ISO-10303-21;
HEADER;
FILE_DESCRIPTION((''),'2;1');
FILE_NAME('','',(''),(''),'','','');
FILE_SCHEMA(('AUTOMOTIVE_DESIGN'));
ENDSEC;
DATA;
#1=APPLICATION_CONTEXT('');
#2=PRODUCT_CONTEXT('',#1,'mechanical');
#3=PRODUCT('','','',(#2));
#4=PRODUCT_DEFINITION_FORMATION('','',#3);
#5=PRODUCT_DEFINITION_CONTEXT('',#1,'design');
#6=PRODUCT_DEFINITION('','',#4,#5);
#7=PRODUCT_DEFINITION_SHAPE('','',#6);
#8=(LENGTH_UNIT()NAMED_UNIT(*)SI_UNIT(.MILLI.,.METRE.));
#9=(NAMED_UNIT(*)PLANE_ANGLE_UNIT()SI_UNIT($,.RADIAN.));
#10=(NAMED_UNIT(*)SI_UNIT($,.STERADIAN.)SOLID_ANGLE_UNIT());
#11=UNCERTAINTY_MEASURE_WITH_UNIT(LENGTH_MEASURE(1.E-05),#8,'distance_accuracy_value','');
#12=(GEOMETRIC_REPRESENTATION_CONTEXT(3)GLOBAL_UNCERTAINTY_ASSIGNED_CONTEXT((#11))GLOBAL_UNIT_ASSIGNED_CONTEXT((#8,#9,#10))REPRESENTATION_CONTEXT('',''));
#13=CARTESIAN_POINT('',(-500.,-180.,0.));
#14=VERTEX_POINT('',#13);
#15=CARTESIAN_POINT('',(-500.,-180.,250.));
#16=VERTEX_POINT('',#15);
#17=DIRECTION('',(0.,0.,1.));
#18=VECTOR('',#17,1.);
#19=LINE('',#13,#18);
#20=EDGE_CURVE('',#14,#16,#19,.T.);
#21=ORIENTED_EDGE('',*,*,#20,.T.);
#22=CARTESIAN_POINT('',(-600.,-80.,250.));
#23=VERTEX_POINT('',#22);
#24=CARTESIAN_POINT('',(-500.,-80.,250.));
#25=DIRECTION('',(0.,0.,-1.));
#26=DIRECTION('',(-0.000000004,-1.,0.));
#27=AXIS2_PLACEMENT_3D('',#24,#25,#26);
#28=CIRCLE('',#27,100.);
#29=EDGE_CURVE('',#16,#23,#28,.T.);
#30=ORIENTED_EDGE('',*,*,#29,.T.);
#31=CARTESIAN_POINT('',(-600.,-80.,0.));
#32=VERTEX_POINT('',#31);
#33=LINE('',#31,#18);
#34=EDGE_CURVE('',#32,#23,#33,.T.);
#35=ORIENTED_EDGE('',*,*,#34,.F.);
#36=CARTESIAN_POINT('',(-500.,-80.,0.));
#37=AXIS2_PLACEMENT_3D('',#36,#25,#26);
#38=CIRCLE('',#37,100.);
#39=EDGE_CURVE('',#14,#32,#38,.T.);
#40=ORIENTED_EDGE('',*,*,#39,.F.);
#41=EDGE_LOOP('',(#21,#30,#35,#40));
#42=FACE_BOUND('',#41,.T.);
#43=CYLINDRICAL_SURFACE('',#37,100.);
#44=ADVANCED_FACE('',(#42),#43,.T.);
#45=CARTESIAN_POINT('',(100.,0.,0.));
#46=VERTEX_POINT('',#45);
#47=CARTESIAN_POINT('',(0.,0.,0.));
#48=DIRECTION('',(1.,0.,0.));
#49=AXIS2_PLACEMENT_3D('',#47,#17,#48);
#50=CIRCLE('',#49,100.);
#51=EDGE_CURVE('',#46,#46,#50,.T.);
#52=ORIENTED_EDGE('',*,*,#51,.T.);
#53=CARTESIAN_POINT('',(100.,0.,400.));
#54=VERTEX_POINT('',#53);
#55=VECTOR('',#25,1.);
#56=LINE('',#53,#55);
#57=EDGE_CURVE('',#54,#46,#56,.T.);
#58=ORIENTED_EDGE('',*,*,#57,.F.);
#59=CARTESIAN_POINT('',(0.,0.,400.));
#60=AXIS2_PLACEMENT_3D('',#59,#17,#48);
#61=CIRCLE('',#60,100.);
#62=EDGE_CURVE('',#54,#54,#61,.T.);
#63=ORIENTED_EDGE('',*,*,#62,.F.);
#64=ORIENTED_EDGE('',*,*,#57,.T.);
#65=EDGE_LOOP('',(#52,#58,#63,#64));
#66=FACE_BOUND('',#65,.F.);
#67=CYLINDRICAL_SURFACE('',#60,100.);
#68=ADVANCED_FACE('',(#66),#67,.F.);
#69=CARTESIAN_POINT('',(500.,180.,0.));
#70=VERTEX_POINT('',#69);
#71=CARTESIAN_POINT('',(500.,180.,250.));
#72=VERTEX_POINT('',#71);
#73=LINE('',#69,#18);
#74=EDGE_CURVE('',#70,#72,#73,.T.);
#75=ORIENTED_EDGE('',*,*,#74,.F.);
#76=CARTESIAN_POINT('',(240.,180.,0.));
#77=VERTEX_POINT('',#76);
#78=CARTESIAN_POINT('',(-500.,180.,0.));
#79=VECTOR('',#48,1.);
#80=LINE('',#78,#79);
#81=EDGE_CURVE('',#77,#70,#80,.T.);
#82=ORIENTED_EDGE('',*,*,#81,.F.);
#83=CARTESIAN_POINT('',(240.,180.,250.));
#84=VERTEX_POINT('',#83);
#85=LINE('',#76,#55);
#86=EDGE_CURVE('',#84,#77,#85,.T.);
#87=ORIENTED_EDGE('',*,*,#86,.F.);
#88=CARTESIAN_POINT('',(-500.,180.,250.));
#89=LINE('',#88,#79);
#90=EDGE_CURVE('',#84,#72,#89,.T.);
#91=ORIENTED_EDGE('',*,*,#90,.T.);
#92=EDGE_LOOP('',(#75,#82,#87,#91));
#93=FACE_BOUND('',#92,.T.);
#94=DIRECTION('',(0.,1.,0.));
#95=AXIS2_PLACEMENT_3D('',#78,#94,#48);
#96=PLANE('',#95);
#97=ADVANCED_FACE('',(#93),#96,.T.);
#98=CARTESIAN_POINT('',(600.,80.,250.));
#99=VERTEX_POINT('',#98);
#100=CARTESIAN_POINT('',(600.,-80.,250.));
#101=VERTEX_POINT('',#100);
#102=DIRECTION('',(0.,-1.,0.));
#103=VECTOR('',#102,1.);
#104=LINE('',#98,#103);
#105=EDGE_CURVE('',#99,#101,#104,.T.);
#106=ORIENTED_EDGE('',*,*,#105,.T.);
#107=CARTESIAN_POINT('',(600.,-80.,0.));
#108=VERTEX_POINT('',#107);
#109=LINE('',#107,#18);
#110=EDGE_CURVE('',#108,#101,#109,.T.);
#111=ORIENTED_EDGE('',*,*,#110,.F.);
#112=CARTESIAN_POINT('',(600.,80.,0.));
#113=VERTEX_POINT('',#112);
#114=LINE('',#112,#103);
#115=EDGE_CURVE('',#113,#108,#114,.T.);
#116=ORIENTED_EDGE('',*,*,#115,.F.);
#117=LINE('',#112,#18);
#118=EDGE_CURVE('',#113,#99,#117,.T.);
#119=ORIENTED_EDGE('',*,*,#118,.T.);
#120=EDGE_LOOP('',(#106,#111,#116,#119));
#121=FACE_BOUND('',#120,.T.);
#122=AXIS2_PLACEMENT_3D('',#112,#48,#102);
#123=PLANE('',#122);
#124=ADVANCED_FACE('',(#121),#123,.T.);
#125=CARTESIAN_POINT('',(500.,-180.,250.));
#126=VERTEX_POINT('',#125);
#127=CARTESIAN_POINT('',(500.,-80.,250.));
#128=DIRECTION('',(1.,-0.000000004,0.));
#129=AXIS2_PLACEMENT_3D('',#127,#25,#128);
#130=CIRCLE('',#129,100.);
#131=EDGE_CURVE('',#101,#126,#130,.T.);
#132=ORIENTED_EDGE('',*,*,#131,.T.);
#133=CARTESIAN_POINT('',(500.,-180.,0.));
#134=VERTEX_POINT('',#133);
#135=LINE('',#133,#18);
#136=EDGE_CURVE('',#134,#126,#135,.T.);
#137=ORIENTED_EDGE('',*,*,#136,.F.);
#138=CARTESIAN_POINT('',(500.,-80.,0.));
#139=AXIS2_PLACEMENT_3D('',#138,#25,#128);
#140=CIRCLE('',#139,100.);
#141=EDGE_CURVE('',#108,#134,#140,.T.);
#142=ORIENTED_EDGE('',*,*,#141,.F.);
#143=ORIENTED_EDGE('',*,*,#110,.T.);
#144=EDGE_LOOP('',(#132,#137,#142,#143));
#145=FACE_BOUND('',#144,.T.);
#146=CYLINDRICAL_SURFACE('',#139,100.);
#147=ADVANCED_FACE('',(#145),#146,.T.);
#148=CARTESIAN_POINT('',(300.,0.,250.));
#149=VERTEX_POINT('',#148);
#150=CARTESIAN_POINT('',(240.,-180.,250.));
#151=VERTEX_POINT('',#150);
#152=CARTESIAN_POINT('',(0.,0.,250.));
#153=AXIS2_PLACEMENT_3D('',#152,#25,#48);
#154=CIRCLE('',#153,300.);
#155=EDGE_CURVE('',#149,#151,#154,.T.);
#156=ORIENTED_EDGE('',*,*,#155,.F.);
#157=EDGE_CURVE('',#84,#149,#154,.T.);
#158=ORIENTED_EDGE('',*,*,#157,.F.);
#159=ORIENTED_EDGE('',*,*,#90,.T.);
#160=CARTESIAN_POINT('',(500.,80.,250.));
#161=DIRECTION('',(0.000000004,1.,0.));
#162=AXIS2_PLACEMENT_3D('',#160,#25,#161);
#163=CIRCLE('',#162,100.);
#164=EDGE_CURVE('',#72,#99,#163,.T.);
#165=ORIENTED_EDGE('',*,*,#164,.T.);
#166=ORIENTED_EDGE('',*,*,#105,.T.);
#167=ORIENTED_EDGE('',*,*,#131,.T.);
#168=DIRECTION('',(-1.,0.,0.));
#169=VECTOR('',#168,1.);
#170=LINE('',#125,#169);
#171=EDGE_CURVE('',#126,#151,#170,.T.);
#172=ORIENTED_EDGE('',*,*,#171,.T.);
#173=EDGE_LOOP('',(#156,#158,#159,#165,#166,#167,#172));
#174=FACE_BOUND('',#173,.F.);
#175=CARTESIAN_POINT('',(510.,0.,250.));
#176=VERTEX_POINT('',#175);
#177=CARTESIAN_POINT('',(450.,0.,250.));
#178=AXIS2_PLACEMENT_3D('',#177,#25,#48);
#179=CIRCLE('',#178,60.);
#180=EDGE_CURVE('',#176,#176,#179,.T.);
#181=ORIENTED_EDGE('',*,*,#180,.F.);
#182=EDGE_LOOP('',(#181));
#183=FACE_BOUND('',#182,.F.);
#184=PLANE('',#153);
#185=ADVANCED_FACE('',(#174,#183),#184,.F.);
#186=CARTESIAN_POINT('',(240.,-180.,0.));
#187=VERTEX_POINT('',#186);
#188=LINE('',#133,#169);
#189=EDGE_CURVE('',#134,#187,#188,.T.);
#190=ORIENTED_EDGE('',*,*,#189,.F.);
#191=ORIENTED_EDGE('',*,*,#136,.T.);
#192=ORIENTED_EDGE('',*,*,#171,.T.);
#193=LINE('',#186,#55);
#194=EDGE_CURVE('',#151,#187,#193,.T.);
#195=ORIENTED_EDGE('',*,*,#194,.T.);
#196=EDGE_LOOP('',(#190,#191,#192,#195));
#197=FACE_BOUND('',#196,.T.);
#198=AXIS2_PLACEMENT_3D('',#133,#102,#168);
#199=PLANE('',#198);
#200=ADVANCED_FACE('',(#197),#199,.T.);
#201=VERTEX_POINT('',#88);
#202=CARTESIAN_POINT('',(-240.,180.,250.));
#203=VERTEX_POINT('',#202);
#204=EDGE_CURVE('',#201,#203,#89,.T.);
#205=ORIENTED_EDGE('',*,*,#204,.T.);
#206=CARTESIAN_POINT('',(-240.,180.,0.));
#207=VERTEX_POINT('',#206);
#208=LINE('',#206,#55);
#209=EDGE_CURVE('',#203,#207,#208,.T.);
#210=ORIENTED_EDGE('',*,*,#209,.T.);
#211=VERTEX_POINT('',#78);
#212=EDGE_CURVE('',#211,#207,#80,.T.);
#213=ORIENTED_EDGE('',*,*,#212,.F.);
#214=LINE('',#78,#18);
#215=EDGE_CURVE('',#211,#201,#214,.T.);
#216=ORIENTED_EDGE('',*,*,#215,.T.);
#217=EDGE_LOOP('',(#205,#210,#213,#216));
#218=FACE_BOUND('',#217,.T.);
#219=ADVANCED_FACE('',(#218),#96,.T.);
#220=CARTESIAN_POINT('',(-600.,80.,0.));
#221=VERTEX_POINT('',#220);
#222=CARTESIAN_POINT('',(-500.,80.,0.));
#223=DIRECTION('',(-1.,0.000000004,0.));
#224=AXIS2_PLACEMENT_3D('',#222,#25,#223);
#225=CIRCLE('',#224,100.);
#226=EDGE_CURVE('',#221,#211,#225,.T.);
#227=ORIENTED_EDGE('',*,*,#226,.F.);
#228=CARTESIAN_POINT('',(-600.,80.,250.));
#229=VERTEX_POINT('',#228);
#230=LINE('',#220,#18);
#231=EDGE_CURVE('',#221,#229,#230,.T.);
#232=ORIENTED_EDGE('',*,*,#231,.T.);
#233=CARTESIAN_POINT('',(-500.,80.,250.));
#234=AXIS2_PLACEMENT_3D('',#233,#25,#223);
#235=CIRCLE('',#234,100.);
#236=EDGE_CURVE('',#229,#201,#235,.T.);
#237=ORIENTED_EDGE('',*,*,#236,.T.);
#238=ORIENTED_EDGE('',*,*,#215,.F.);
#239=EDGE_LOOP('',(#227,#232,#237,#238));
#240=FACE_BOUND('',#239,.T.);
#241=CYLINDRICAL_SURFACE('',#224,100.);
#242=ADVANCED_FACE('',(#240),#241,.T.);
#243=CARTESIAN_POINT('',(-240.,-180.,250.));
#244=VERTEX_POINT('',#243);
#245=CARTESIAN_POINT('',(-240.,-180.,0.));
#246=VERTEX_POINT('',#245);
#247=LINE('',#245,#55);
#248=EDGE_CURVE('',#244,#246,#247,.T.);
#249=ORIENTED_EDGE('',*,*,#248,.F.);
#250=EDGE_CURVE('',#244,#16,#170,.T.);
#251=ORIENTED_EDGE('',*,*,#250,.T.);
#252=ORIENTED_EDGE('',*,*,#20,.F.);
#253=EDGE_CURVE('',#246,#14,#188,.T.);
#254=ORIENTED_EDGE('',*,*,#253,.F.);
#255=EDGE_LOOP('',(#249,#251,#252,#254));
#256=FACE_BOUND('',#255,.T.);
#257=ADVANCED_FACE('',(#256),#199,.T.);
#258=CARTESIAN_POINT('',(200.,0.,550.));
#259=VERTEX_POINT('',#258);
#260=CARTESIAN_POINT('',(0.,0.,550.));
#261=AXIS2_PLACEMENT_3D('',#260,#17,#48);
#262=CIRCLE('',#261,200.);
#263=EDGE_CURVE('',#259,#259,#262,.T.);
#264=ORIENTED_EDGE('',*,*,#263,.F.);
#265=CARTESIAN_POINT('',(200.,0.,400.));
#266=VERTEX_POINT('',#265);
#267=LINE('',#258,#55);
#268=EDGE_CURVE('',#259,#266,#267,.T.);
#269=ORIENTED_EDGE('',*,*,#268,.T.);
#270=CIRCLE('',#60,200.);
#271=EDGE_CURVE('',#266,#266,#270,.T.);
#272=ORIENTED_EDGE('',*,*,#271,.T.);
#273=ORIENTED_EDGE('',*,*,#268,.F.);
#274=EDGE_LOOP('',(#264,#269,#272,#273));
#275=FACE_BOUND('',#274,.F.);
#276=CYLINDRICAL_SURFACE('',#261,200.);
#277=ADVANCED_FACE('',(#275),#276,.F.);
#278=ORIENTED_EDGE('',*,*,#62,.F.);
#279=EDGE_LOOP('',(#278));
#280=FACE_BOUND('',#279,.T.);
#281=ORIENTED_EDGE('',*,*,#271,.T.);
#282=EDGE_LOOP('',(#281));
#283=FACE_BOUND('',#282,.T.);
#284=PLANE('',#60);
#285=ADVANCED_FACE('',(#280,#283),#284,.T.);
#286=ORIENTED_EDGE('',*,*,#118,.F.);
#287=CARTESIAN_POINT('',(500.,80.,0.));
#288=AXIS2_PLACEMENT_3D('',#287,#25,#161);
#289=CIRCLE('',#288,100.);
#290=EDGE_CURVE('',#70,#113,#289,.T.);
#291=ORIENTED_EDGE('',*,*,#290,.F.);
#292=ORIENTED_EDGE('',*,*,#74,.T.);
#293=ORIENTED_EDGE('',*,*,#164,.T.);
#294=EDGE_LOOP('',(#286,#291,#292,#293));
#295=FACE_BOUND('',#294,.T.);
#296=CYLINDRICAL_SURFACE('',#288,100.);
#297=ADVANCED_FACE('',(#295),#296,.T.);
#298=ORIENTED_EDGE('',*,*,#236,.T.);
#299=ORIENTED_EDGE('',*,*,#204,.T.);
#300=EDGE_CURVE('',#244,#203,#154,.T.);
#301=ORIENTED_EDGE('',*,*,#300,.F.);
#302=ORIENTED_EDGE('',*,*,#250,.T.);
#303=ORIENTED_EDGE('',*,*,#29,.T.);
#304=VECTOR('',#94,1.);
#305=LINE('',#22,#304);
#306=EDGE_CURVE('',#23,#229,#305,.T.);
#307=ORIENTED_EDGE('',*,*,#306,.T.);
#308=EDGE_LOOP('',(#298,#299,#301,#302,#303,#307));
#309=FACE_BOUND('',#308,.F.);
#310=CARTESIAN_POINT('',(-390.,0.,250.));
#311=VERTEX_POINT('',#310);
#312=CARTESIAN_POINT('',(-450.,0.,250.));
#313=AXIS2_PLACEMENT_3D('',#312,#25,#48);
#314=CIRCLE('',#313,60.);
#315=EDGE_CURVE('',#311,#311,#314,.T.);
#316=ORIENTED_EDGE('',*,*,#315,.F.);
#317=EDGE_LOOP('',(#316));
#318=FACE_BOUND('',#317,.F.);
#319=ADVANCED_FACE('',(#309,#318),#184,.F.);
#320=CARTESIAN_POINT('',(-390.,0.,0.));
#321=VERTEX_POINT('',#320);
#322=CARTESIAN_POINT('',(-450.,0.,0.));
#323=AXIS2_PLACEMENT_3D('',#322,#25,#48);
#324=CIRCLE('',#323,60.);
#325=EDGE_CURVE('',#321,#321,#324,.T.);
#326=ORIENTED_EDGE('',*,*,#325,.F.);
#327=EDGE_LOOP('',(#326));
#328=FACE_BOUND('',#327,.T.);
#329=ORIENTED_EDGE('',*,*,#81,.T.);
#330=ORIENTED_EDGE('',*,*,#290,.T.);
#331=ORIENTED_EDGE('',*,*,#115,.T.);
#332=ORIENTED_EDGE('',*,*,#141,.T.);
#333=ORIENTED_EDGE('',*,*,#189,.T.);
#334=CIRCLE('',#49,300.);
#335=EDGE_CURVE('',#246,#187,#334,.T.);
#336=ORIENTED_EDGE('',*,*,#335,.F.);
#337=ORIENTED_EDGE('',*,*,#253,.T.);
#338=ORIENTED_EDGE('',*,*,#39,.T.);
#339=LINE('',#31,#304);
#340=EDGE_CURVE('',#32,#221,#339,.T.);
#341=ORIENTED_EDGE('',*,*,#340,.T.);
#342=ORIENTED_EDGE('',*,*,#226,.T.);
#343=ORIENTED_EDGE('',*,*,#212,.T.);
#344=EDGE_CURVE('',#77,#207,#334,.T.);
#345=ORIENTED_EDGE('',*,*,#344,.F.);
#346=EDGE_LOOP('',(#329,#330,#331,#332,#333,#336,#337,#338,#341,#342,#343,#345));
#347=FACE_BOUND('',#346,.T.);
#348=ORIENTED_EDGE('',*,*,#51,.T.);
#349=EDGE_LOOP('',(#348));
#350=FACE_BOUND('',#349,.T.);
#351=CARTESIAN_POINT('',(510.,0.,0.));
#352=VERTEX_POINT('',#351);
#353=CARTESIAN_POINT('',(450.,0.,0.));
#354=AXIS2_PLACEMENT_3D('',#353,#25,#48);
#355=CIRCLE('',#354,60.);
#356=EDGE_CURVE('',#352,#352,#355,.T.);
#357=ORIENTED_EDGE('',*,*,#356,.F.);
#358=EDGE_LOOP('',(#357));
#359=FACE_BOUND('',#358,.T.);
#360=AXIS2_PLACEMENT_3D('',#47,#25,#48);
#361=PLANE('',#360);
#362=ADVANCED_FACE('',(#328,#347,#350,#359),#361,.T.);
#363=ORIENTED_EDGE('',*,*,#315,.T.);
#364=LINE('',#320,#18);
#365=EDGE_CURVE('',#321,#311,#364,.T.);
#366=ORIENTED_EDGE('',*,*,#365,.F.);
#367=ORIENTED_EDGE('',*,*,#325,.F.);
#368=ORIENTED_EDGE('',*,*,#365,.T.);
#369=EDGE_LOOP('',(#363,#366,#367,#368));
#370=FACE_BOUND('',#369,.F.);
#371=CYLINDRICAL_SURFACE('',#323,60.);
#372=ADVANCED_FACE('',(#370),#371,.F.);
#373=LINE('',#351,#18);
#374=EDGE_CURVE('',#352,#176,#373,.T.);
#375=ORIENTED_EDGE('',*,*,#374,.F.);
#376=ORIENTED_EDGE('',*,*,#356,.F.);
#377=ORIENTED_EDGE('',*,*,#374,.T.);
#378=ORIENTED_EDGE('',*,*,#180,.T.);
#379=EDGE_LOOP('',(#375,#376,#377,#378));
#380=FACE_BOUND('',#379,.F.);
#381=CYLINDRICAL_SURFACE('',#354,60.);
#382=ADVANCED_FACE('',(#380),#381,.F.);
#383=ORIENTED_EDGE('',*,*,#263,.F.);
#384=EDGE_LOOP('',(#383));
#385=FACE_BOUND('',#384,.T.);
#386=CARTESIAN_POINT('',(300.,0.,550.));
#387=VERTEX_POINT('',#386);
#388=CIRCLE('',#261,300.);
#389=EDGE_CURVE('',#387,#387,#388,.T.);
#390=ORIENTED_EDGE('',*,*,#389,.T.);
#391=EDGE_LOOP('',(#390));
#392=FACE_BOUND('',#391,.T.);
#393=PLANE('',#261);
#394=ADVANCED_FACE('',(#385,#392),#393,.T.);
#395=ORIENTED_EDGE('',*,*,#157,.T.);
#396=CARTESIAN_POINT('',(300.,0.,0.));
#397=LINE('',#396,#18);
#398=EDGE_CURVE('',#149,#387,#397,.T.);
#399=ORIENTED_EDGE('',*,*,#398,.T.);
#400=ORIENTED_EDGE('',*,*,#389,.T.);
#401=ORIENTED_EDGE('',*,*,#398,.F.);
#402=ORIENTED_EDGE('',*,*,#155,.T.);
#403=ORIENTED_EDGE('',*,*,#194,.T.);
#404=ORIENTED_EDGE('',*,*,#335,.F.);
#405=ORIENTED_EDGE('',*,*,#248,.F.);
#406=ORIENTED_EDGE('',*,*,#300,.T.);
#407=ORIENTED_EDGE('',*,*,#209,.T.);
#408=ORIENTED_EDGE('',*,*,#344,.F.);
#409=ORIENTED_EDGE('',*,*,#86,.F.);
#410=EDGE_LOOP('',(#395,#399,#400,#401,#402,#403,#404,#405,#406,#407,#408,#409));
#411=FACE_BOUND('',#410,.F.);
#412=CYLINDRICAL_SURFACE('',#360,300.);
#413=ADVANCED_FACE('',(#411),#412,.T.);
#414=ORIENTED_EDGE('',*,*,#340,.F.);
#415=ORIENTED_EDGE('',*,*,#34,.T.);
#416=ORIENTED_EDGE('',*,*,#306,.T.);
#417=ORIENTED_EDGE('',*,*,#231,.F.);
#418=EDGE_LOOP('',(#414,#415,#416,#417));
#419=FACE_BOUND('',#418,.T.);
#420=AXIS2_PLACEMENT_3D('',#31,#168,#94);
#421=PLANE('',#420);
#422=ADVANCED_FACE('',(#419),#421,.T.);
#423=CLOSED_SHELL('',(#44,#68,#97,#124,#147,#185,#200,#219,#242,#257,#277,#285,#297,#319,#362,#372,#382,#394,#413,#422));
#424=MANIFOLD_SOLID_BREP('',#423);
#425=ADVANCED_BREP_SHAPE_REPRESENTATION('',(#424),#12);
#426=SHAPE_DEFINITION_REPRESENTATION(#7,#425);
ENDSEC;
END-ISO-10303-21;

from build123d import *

# Parameters (mm, degrees)
F0_R     = 300
F1_DEPTH = 550
F2_R     = 200
F3_DEPTH = 150
F5_R     = 60
F6_DEPTH = 250
F4_R     = 100
F7_DEPTH = 400.001


with BuildPart() as f1:
    # F0 (on Top) → F1 (new body)
    with BuildSketch(Plane.XY):
        Circle(F0_R)
    extrude(amount=F1_DEPTH)

    # F2 (on face) → F3 (cut)
    with BuildSketch(Plane.XY.offset(550)):
        Circle(F2_R)
    extrude(amount=-F3_DEPTH, mode=Mode.SUBTRACT)

    # F5 (on face) → F6 (join)
    with BuildSketch(Plane(origin=(0, 0, 0), x_dir=(1, 0, 0), z_dir=(0, 0, -1))):
        with BuildLine():
            ThreePointArc((600, 80), (570.710678, 150.710678), (500, 180))
            Line((500, 180), (-500, 180))
            ThreePointArc((-500, 180), (-570.710678, 150.710678), (-600, 80))
            Line((-600, 80), (-600, -80))
            ThreePointArc((-600, -80), (-570.710678, -150.710678), (-500, -180))
            Line((-500, -180), (500, -180))
            ThreePointArc((500, -180), (570.710678, -150.710678), (600, -80))
            Line((600, -80), (600, 80))
        make_face()
        with Locations((-450, 0)):
            Circle(F5_R, mode=Mode.SUBTRACT)
        with Locations((450, 0)):
            Circle(F5_R, mode=Mode.SUBTRACT)
    extrude(amount=-F6_DEPTH)

    # F4 (on face) → F7 (cut, through all)
    with BuildSketch(Plane.XY.offset(400)):
        Circle(F4_R)
    extrude(amount=-F7_DEPTH, mode=Mode.SUBTRACT)


solid = f1.part
